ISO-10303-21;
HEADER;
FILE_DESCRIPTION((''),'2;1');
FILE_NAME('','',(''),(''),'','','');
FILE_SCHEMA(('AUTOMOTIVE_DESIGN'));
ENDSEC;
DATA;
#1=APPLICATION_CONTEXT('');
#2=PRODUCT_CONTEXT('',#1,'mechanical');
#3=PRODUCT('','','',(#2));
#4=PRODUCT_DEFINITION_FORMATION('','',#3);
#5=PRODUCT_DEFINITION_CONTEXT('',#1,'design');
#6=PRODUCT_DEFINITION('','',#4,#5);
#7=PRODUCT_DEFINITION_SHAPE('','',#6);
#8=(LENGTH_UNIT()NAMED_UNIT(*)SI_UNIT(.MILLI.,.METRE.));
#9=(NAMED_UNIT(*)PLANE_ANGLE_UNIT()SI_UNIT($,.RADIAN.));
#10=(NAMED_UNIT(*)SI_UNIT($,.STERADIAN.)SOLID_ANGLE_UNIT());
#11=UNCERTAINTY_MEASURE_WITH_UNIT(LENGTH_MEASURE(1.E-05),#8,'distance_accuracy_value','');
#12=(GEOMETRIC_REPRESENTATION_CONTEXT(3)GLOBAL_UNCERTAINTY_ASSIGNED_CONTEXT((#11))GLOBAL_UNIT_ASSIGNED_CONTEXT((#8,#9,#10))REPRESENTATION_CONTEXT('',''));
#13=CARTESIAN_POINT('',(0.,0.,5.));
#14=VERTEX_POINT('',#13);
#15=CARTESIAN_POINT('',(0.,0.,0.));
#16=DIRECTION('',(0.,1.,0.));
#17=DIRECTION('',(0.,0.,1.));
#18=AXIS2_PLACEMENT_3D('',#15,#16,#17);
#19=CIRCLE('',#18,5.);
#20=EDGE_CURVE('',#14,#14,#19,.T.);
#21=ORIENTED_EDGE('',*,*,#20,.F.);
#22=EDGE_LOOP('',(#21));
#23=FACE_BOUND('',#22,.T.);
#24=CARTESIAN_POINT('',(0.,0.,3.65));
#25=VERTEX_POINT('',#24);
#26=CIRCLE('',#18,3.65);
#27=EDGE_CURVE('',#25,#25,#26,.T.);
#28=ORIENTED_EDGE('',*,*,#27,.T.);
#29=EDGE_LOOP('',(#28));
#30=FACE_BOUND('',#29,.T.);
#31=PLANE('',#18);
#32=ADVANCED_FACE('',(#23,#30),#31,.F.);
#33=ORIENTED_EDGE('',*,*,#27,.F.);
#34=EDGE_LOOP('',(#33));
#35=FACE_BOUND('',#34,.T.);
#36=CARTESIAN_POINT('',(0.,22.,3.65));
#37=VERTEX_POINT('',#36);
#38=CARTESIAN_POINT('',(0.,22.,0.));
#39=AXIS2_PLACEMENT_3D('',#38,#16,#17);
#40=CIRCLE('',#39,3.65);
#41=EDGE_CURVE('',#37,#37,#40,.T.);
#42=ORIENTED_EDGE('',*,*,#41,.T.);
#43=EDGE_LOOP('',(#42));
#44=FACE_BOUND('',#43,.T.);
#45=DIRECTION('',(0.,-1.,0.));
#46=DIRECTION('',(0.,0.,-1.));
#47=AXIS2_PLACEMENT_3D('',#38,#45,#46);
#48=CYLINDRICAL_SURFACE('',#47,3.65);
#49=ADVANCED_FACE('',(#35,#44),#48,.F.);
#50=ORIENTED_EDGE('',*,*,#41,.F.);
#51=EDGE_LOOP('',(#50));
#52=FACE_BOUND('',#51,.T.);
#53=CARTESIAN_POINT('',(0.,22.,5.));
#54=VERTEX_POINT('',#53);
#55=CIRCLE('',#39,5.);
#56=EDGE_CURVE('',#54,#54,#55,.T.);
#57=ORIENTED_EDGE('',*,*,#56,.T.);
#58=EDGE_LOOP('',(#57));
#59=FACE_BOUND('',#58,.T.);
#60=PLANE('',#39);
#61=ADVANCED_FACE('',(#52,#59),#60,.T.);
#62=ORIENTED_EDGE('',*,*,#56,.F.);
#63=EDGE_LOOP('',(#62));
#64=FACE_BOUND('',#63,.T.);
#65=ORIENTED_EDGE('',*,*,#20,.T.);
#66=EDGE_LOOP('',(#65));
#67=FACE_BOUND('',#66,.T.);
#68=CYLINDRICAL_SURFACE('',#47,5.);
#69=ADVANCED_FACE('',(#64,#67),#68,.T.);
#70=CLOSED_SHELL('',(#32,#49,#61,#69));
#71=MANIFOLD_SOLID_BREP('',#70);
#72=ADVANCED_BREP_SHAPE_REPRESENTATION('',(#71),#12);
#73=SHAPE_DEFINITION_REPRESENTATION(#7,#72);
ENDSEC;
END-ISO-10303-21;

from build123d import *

# Parameters (mm, degrees)
SKETCH_1_R      = 5
SKETCH_1_R_2    = 3.65
EXTRUDE_1_DEPTH = 22


with BuildPart() as part:
    # Эскиз1 → Бобышка-Вытянуть1 (new body)
    with BuildSketch(Plane(origin=(0, 0, 0), x_dir=(1, 0, 0), z_dir=(0, 1, 0))):
        Circle(SKETCH_1_R)
        Circle(SKETCH_1_R_2, mode=Mode.SUBTRACT)
    extrude(amount=EXTRUDE_1_DEPTH)


solid = part.part
